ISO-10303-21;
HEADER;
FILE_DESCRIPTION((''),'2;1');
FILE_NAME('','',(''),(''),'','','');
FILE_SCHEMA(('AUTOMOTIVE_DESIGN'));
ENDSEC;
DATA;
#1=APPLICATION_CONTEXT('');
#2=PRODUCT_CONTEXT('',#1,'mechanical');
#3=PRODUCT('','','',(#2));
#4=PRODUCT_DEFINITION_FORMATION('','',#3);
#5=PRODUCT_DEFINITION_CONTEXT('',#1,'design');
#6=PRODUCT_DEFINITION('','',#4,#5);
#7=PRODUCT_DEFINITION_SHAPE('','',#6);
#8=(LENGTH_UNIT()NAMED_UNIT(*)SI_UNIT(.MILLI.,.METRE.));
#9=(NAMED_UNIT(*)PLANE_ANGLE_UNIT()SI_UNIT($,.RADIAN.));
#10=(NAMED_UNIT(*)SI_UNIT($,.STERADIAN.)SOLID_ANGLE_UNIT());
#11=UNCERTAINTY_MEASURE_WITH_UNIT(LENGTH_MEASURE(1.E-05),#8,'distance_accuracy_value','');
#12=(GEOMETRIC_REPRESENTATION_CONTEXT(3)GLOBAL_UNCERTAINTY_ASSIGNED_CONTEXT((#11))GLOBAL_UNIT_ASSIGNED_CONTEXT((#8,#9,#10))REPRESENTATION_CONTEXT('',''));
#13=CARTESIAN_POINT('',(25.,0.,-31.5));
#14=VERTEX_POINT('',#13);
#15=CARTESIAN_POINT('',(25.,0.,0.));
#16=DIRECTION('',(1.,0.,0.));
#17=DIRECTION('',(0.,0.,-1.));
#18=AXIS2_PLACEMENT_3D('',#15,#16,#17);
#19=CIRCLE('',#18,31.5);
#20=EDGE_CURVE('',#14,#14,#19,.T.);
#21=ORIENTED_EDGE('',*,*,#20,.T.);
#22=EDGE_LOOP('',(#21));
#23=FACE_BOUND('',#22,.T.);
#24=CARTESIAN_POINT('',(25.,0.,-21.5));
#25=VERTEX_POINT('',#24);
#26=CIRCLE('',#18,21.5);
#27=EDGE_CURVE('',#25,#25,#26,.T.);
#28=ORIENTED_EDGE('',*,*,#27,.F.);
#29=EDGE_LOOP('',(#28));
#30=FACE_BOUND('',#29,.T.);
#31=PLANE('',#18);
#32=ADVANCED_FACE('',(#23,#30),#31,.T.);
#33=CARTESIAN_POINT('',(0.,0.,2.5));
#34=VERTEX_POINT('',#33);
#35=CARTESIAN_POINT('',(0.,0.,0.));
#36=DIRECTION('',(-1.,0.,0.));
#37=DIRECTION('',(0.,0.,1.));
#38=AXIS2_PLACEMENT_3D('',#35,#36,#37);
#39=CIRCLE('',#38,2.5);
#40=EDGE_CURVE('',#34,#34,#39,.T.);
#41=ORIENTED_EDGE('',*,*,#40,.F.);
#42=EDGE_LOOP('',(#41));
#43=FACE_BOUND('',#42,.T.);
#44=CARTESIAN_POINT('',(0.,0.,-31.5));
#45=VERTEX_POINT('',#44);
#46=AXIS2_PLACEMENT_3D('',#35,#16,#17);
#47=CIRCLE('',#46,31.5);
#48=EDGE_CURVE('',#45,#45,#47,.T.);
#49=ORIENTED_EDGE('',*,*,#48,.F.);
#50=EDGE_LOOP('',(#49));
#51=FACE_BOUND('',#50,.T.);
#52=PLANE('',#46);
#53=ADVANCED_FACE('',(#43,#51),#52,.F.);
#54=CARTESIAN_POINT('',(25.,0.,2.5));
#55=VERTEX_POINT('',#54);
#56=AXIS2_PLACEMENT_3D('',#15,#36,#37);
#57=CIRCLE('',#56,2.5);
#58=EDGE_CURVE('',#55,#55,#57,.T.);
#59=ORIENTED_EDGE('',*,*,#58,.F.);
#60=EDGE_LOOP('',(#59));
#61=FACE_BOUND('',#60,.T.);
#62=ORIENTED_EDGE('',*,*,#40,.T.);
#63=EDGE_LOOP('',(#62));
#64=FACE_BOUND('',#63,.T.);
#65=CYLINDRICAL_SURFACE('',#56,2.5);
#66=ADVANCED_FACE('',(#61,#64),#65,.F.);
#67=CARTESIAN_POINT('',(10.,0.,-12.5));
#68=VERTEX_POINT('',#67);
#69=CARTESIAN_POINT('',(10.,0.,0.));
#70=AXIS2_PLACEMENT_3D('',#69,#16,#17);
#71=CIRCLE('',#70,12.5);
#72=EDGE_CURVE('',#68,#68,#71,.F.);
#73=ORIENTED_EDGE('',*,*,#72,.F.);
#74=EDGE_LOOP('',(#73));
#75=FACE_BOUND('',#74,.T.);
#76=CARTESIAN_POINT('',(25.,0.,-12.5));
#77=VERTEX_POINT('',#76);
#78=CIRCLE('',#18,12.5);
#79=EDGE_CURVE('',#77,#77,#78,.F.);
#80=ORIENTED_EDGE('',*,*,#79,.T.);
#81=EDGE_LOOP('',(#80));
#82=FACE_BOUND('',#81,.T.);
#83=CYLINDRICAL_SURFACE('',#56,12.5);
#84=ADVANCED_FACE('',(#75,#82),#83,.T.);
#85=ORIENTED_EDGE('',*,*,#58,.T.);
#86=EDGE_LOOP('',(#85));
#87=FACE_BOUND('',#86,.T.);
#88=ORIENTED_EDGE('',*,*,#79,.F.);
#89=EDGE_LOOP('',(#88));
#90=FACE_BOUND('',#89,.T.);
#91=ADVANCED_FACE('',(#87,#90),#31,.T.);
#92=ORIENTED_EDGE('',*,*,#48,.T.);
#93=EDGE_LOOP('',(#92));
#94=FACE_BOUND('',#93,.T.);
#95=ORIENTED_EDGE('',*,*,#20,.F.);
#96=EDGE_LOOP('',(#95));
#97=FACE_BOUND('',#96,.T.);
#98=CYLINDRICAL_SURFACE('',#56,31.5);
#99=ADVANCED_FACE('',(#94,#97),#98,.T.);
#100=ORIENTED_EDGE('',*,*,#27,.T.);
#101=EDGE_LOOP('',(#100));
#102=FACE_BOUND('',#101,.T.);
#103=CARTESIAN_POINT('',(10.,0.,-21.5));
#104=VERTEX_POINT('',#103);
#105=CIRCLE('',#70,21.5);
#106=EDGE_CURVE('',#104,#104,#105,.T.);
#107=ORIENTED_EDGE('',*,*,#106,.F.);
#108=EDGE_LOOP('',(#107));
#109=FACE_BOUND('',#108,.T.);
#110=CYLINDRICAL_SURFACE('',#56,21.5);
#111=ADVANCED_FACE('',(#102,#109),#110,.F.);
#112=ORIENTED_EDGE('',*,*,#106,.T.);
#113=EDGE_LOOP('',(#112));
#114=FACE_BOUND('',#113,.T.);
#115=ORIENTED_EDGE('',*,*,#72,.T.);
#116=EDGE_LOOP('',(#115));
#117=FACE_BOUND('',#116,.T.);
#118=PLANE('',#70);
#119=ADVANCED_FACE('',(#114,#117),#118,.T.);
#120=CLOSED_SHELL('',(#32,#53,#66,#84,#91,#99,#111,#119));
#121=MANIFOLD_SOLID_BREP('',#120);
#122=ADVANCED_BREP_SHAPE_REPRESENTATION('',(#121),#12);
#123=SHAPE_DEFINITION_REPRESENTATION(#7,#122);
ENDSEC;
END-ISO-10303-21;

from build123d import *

# Parameters (mm, degrees)
SKETCH1_R           = 31.5
BOSS_EXTRUDE1_DEPTH = 25
SKETCH3_R           = 2.5
CUT_EXTRUDE1_DEPTH  = 25
SHELL1_T            = -10


with BuildPart() as part:
    # Sketch1 → Boss-Extrude1 (new body)
    with BuildSketch(Plane(origin=(0, 0, 0), x_dir=(0, 0, -1), z_dir=(1, 0, 0))):
        Circle(SKETCH1_R)
    extrude(amount=BOSS_EXTRUDE1_DEPTH)

    # Sketch3 → Cut-Extrude1 (cut)
    with BuildSketch(Plane.ZY):
        Circle(SKETCH3_R)
    extrude(amount=-CUT_EXTRUDE1_DEPTH, mode=Mode.SUBTRACT)

    # Shell1
    shell1_openings = [part.faces().sort_by_distance(p)[0] for p in [
        (25, 0, 2.5),
    ]]
    offset(amount=SHELL1_T, openings=shell1_openings, kind=Kind.INTERSECTION)


solid = part.part
